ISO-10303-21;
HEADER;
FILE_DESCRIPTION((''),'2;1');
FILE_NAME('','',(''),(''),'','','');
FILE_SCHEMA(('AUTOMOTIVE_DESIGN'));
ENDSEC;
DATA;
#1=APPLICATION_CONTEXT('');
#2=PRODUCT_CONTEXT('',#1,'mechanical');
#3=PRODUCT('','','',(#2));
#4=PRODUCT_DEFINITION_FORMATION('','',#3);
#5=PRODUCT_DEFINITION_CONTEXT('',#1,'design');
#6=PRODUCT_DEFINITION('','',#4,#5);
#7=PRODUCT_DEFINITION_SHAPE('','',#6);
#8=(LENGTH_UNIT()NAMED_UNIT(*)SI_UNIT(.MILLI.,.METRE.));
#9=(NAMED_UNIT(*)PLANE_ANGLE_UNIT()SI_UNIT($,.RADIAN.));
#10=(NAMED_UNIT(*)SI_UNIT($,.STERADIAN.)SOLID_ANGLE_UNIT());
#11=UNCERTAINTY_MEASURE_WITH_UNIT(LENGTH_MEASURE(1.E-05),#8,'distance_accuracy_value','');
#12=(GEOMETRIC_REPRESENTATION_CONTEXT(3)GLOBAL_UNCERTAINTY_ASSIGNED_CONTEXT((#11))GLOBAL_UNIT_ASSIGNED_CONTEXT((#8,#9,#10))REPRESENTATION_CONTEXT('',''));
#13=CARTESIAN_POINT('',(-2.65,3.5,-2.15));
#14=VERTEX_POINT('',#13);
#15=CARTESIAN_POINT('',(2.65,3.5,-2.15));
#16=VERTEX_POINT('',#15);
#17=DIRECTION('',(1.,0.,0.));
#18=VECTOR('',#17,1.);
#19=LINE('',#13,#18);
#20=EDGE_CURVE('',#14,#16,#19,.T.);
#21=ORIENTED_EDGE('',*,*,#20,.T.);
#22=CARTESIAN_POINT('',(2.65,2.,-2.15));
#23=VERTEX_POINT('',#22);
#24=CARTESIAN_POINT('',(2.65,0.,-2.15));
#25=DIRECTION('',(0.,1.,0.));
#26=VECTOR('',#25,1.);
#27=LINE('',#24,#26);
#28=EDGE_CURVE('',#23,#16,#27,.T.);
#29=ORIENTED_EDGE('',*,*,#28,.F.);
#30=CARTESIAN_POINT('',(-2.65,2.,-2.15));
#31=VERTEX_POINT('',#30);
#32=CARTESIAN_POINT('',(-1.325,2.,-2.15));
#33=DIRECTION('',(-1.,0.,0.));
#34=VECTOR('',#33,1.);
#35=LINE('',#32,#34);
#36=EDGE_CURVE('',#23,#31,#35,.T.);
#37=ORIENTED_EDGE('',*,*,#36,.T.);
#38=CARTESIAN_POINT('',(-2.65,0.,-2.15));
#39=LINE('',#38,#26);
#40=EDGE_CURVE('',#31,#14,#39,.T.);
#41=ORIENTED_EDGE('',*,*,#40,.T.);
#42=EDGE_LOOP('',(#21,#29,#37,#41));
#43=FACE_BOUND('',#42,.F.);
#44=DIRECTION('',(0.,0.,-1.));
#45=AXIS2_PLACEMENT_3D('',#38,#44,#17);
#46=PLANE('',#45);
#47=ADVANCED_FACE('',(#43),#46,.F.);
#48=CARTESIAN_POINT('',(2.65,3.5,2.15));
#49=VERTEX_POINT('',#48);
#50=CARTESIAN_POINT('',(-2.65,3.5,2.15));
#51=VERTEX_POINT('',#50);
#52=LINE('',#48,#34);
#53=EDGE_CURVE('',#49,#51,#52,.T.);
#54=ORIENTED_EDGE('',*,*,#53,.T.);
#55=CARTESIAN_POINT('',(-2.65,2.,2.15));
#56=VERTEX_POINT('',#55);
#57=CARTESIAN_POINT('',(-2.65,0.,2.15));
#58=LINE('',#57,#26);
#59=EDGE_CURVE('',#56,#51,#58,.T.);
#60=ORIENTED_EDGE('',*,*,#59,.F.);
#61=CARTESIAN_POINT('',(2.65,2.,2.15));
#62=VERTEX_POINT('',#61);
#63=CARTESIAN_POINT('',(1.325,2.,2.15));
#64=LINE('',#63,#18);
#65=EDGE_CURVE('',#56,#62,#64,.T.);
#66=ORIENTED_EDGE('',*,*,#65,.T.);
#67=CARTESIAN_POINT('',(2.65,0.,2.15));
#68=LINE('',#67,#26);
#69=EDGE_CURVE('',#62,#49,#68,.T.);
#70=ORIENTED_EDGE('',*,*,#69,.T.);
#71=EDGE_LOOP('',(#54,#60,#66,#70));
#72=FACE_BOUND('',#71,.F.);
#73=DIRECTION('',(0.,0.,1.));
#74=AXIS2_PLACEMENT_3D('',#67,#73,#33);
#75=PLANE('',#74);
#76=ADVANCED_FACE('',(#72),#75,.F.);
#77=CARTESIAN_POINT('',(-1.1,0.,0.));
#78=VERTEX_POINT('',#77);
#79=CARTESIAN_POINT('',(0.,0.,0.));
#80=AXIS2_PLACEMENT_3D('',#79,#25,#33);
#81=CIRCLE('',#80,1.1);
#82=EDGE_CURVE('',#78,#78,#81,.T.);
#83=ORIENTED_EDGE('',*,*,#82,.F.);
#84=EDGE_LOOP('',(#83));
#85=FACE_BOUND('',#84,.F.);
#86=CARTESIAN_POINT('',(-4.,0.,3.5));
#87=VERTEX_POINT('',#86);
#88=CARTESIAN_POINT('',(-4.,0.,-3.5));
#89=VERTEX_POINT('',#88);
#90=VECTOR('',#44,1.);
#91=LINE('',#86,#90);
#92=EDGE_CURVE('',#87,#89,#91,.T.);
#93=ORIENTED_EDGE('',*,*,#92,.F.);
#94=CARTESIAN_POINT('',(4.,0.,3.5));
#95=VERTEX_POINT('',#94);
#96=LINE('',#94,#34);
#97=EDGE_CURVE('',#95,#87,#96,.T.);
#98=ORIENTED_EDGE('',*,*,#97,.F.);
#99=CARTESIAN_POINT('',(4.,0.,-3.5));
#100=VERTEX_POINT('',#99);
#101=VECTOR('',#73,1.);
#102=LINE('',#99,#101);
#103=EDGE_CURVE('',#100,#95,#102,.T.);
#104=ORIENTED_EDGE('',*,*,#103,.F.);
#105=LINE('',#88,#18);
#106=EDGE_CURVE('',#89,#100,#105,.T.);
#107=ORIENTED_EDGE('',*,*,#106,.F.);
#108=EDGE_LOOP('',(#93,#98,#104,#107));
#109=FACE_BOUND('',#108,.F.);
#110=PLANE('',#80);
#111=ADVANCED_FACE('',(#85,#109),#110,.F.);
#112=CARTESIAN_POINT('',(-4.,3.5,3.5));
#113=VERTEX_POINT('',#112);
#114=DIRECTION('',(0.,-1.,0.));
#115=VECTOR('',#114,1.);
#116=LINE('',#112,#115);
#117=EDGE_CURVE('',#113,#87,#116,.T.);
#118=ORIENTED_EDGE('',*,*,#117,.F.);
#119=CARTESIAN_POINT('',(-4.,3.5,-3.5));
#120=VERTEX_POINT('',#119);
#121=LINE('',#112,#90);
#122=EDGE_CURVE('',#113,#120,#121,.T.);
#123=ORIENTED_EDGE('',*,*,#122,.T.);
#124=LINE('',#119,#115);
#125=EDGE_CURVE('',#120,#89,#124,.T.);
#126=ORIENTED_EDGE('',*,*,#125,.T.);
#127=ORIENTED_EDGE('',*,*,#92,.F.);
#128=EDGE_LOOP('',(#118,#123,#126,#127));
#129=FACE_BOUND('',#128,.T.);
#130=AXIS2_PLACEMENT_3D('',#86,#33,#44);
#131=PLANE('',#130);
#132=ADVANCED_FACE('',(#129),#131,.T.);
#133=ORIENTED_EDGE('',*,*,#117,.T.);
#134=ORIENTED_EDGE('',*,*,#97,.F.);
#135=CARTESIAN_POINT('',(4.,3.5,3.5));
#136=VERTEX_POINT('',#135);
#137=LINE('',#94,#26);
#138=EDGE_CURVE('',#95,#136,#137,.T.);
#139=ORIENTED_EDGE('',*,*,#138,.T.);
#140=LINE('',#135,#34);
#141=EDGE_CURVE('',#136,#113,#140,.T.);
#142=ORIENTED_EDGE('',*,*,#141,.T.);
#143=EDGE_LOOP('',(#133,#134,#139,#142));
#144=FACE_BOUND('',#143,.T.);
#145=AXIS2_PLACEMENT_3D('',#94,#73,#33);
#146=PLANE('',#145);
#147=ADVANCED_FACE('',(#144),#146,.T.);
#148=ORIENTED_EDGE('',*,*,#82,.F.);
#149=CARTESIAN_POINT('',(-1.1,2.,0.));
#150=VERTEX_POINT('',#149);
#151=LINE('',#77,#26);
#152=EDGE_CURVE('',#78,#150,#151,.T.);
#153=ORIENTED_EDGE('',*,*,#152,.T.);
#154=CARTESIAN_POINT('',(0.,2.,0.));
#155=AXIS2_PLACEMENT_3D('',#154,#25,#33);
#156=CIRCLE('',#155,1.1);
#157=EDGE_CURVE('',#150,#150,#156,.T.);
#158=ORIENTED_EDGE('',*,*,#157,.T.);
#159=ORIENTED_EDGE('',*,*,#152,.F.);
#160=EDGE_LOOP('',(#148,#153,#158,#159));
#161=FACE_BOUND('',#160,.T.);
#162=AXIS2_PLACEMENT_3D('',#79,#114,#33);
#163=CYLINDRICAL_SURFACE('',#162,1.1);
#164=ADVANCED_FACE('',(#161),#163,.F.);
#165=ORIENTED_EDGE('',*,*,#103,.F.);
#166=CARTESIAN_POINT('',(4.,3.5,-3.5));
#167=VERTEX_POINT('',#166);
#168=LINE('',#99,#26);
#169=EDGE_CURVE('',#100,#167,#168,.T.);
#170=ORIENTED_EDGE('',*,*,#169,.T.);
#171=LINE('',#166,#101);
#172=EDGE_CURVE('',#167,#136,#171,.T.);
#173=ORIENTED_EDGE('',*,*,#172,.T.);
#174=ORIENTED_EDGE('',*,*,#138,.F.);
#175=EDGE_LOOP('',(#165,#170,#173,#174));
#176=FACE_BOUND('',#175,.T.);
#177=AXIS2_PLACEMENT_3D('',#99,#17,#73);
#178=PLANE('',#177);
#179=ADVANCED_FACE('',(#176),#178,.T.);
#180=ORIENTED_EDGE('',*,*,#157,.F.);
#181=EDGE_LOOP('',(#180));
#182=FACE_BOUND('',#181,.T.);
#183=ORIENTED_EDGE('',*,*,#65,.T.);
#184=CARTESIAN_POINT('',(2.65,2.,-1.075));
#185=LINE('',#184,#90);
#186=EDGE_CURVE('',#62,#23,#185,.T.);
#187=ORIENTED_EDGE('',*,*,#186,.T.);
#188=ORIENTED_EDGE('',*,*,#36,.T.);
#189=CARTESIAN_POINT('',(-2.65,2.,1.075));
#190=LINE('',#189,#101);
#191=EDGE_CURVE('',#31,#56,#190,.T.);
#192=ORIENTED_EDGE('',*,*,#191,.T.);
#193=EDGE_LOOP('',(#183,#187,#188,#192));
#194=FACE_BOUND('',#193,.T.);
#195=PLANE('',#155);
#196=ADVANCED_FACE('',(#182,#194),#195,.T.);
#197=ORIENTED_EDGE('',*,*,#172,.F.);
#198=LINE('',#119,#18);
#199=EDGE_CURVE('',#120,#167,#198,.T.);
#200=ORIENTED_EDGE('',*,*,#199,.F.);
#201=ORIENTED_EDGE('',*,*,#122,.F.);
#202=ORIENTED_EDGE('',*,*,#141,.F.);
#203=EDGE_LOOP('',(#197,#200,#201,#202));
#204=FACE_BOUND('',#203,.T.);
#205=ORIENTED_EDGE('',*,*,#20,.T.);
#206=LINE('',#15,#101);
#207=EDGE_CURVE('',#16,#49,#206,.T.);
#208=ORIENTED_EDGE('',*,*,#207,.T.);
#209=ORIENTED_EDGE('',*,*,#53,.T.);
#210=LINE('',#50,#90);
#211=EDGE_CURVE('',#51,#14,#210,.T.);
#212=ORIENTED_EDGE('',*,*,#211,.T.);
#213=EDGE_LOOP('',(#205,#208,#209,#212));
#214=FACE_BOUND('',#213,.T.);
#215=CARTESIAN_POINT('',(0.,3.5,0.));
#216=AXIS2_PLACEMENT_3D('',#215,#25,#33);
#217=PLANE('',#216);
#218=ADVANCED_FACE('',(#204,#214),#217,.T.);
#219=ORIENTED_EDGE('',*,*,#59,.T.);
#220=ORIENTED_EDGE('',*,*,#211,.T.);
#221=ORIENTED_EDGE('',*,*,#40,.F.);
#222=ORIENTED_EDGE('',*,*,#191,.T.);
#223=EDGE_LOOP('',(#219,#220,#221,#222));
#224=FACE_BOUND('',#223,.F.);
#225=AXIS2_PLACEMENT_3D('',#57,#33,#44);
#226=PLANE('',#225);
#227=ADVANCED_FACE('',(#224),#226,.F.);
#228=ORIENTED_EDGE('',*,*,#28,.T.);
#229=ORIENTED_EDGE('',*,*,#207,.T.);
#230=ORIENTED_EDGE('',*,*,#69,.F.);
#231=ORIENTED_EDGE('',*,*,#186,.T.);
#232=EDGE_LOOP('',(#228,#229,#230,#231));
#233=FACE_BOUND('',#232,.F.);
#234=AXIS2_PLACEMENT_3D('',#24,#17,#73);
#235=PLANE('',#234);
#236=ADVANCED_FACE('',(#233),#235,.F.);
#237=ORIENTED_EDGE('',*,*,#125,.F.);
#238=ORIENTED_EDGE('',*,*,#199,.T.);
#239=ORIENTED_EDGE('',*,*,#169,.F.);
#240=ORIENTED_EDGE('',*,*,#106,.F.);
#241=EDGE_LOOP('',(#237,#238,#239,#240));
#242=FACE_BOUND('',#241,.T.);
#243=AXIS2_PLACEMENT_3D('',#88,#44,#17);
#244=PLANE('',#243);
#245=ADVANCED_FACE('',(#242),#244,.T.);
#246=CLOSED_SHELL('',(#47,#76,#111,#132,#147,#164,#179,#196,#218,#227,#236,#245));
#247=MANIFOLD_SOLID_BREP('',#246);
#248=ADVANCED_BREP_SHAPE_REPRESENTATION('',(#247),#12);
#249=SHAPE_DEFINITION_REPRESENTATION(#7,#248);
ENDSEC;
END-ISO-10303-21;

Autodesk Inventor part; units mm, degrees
ref_plane "YZ Plane" through (0, 0, 0) normal (1, 0, 0) x (0, 1, 0)
ref_plane "XZ Plane" through (0, 0, 0) normal (0, 1, 0) x (-1, 0, 0)
ref_plane "XY Plane" through (0, 0, 0) normal (0, 0, 1) x (1, 0, 0)
sketch "スケッチ1" plane through (0, 0, 0) normal (0, 1, 0) x (-1, 0, 0)
  circle A0 centre (0, 0) radius 1.1
  line L0 (-2.65, 2.15) -> (2.65, 2.15)
  line L1 (2.65, 2.15) -> (2.65, -2.15)
  line L2 (2.65, -2.15) -> (-2.65, -2.15)
  line L3 (-2.65, -2.15) -> (-2.65, 2.15)
  line L4 (-2.65, 2.15) -> (2.65, -2.15) construction
  line L5 (2.65, 2.15) -> (-2.65, -2.15) construction
  line L6 (-4, 3.5) -> (4, 3.5)
  line L7 (4, 3.5) -> (4, -3.5)
  line L8 (4, -3.5) -> (-4, -3.5)
  line L9 (-4, -3.5) -> (-4, 3.5)
  line L10 (-4, 3.5) -> (4, -3.5) construction
  line L11 (4, 3.5) -> (-4, -3.5) construction
  dimension "d0" = 2.2
  dimension "d1" = 5.3
  dimension "d2" = 4.3
  dimension "d3" = 7
  dimension "d4" = 8
extrude "押し出し1" add sketch "スケッチ1" along normal blind 2 contours L0 L1 L2 L3 | L6 L7 L8 L9
extrude "押し出し2" add sketch "スケッチ1" along normal blind 3.5 contours L6 L7 L8 L9
properties part number "zigu"
